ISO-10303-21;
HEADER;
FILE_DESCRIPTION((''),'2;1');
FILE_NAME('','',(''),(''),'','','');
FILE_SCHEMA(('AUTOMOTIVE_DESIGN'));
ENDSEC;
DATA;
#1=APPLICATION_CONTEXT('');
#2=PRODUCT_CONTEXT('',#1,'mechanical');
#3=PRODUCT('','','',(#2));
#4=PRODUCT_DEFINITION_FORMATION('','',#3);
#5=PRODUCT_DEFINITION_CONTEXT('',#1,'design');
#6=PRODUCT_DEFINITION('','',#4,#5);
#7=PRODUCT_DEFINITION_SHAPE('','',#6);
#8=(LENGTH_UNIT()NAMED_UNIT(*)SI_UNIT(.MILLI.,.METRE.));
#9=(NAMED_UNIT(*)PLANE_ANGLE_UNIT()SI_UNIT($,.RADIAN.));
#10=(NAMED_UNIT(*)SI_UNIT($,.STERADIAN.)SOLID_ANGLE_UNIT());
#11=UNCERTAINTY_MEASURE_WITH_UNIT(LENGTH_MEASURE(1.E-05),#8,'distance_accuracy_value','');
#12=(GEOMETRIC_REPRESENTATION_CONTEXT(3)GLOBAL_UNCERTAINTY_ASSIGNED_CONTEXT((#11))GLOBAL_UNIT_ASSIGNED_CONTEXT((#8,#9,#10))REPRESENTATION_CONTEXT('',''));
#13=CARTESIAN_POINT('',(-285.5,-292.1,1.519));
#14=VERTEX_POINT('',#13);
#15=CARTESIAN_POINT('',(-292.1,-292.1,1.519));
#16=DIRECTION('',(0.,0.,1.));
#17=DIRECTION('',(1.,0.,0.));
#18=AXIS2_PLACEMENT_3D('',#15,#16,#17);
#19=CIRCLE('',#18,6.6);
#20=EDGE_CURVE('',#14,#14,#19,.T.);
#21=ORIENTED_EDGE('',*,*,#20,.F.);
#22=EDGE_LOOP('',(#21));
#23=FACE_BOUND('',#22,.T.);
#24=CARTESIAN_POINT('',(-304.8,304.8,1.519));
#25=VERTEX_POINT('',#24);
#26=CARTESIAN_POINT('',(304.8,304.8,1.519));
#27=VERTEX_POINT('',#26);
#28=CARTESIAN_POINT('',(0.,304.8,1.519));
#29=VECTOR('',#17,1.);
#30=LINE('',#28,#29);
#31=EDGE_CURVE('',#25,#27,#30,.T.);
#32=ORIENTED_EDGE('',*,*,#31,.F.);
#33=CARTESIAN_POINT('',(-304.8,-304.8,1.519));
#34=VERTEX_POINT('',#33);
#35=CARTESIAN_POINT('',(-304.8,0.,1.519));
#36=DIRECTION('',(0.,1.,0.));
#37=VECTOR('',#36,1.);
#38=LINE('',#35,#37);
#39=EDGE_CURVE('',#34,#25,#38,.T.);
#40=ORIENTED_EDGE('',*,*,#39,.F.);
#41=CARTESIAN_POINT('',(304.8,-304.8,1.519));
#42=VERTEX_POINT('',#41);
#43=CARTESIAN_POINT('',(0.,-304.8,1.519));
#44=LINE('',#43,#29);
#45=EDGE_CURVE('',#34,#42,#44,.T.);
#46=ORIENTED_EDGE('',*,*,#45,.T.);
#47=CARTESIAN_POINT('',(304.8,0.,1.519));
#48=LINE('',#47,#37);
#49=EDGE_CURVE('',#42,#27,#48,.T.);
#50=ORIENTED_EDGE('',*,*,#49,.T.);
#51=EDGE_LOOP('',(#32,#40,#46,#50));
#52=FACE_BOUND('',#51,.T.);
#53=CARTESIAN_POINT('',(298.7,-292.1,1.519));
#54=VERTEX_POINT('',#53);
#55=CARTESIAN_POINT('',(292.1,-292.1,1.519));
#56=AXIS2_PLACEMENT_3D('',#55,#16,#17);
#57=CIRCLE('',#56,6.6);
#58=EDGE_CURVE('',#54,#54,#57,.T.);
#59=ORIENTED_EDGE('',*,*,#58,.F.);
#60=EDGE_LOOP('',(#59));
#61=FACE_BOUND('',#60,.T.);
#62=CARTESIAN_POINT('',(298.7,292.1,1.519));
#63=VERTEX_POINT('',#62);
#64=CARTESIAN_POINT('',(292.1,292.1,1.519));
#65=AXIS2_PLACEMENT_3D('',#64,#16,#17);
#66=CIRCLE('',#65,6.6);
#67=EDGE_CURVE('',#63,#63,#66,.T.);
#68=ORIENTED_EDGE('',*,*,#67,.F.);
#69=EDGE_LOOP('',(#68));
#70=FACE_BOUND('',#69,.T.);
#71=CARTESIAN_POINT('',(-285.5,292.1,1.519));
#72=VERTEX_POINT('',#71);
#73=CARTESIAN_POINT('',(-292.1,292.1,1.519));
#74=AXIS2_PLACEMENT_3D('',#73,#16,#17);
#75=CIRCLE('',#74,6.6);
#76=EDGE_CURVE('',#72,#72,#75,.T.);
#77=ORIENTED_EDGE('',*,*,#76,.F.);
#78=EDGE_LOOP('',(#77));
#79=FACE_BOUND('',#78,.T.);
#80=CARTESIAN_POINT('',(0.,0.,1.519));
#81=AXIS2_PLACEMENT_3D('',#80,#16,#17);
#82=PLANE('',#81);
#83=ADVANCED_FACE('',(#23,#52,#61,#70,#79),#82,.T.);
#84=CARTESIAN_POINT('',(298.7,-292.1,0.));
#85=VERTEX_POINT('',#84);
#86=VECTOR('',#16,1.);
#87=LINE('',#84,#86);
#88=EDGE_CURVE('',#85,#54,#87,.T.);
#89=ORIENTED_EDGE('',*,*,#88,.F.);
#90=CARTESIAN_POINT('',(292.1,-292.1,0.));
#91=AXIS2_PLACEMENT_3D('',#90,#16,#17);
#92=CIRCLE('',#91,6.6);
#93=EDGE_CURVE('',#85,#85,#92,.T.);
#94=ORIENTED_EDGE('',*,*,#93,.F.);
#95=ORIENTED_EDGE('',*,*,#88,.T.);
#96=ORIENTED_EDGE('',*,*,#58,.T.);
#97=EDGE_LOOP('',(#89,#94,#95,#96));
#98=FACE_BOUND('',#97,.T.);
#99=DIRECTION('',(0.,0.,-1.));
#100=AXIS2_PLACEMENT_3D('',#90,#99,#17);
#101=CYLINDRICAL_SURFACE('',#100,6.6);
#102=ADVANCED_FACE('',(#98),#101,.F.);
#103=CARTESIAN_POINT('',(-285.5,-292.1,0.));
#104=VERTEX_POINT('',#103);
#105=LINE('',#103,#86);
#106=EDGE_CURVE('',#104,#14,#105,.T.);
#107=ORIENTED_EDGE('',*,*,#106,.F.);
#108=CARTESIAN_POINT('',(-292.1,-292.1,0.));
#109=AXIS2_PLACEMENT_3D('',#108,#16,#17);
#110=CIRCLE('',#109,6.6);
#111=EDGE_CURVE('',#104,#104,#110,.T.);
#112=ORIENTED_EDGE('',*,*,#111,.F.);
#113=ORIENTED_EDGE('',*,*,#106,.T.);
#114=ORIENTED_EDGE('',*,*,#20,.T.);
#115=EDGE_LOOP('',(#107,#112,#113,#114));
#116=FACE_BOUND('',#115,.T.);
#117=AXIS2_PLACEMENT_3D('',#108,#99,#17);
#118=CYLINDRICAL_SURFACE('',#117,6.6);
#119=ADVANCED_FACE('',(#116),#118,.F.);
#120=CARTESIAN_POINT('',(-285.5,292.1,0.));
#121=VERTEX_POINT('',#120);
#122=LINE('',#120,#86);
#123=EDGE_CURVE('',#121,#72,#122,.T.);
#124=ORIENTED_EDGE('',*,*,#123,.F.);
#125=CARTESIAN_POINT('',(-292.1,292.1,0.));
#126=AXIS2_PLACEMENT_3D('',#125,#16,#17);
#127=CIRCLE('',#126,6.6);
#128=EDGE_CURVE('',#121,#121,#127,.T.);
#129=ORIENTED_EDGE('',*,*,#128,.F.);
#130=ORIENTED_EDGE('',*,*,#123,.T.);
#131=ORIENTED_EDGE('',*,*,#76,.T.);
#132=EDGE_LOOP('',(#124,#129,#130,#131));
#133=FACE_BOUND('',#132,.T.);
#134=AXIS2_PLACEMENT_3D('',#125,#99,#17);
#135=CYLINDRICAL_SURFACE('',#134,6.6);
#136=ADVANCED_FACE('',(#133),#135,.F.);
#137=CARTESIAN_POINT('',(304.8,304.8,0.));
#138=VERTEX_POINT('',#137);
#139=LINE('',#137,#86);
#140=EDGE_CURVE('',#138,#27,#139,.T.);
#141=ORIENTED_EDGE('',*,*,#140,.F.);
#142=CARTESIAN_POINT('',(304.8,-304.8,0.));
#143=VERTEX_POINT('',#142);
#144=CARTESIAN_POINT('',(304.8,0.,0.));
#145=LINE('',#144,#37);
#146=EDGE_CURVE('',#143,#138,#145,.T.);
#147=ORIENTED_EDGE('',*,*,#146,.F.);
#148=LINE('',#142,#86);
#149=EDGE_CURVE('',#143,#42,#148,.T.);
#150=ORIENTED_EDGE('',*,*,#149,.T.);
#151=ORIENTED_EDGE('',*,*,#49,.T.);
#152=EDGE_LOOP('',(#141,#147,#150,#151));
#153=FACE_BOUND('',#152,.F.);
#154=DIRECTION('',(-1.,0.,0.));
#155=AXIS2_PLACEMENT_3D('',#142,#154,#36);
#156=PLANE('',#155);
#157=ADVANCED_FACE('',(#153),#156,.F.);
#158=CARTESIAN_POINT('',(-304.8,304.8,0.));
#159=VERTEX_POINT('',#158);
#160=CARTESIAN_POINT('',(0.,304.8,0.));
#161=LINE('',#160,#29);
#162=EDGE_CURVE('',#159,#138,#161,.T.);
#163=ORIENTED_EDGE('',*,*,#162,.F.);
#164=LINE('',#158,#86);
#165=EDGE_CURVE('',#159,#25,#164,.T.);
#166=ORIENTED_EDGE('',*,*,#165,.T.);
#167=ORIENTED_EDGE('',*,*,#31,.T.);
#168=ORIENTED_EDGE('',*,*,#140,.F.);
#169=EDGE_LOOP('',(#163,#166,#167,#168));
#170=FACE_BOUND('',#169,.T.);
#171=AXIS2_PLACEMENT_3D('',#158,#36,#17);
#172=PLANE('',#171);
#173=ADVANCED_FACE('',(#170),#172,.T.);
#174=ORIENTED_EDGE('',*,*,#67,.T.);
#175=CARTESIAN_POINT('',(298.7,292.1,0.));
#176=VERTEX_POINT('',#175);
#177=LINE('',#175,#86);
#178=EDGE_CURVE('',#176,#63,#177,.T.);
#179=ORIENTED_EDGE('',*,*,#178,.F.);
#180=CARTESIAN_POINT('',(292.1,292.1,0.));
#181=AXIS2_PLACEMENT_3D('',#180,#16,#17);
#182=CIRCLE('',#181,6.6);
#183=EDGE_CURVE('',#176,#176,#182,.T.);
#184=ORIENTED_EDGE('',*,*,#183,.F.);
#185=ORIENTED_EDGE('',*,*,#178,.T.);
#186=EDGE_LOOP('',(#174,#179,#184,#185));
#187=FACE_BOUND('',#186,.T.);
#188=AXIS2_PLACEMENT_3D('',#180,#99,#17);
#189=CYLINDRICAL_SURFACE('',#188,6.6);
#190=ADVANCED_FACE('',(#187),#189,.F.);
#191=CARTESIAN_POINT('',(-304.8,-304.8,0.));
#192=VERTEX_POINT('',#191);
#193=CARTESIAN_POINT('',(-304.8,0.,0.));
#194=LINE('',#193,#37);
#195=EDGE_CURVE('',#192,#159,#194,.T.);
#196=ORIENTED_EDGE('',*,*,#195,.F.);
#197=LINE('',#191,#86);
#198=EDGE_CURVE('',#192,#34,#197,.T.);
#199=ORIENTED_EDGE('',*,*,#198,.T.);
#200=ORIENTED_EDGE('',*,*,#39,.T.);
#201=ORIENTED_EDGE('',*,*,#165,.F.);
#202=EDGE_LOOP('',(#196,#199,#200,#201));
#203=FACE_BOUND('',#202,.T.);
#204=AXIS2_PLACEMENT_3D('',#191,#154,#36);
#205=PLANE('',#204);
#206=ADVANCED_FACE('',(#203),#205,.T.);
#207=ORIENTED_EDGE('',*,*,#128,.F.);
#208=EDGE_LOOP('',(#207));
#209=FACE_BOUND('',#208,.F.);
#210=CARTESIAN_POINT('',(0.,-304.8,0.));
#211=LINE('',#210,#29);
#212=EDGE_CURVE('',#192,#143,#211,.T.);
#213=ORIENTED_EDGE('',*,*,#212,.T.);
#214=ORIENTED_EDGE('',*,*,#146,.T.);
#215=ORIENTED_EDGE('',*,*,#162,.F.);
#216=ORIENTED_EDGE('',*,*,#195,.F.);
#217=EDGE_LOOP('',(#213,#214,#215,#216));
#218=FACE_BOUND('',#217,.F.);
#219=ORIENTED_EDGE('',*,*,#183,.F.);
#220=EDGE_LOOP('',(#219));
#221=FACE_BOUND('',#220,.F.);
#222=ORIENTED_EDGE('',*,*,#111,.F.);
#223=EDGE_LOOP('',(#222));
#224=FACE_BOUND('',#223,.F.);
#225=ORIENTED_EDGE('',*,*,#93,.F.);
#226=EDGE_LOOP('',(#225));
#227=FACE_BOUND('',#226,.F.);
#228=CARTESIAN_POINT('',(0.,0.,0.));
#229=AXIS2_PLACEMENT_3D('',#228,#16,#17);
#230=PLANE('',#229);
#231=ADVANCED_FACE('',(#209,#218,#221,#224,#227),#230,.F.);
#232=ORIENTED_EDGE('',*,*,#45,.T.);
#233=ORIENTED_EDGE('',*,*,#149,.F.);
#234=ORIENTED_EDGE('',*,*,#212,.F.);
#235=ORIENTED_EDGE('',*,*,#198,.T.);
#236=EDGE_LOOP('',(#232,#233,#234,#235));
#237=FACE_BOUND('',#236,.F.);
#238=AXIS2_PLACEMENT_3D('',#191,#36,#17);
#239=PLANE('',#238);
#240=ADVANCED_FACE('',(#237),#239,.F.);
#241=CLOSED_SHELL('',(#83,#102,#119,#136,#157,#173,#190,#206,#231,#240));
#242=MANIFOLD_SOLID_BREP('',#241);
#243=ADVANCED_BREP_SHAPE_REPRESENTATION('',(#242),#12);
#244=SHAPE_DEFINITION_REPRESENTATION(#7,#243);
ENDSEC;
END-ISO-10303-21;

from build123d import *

# Parameters (mm, degrees)
SKETCH_W  = 609.6
SKETCH_H  = 609.6
SKETCH_R  = 6.6
PAD_DEPTH = 1.519


with BuildPart() as part:
    # Sketch → Pad (new body)
    with BuildSketch(Plane.XY):
        Rectangle(SKETCH_W, SKETCH_H)
        with Locations((292.1, 292.1)):
            Circle(SKETCH_R, mode=Mode.SUBTRACT)
        with Locations((-292.1, 292.1)):
            Circle(SKETCH_R, mode=Mode.SUBTRACT)
        with Locations((-292.1, -292.1)):
            Circle(SKETCH_R, mode=Mode.SUBTRACT)
        with Locations((292.1, -292.1)):
            Circle(SKETCH_R, mode=Mode.SUBTRACT)
    extrude(amount=PAD_DEPTH)


solid = part.part
